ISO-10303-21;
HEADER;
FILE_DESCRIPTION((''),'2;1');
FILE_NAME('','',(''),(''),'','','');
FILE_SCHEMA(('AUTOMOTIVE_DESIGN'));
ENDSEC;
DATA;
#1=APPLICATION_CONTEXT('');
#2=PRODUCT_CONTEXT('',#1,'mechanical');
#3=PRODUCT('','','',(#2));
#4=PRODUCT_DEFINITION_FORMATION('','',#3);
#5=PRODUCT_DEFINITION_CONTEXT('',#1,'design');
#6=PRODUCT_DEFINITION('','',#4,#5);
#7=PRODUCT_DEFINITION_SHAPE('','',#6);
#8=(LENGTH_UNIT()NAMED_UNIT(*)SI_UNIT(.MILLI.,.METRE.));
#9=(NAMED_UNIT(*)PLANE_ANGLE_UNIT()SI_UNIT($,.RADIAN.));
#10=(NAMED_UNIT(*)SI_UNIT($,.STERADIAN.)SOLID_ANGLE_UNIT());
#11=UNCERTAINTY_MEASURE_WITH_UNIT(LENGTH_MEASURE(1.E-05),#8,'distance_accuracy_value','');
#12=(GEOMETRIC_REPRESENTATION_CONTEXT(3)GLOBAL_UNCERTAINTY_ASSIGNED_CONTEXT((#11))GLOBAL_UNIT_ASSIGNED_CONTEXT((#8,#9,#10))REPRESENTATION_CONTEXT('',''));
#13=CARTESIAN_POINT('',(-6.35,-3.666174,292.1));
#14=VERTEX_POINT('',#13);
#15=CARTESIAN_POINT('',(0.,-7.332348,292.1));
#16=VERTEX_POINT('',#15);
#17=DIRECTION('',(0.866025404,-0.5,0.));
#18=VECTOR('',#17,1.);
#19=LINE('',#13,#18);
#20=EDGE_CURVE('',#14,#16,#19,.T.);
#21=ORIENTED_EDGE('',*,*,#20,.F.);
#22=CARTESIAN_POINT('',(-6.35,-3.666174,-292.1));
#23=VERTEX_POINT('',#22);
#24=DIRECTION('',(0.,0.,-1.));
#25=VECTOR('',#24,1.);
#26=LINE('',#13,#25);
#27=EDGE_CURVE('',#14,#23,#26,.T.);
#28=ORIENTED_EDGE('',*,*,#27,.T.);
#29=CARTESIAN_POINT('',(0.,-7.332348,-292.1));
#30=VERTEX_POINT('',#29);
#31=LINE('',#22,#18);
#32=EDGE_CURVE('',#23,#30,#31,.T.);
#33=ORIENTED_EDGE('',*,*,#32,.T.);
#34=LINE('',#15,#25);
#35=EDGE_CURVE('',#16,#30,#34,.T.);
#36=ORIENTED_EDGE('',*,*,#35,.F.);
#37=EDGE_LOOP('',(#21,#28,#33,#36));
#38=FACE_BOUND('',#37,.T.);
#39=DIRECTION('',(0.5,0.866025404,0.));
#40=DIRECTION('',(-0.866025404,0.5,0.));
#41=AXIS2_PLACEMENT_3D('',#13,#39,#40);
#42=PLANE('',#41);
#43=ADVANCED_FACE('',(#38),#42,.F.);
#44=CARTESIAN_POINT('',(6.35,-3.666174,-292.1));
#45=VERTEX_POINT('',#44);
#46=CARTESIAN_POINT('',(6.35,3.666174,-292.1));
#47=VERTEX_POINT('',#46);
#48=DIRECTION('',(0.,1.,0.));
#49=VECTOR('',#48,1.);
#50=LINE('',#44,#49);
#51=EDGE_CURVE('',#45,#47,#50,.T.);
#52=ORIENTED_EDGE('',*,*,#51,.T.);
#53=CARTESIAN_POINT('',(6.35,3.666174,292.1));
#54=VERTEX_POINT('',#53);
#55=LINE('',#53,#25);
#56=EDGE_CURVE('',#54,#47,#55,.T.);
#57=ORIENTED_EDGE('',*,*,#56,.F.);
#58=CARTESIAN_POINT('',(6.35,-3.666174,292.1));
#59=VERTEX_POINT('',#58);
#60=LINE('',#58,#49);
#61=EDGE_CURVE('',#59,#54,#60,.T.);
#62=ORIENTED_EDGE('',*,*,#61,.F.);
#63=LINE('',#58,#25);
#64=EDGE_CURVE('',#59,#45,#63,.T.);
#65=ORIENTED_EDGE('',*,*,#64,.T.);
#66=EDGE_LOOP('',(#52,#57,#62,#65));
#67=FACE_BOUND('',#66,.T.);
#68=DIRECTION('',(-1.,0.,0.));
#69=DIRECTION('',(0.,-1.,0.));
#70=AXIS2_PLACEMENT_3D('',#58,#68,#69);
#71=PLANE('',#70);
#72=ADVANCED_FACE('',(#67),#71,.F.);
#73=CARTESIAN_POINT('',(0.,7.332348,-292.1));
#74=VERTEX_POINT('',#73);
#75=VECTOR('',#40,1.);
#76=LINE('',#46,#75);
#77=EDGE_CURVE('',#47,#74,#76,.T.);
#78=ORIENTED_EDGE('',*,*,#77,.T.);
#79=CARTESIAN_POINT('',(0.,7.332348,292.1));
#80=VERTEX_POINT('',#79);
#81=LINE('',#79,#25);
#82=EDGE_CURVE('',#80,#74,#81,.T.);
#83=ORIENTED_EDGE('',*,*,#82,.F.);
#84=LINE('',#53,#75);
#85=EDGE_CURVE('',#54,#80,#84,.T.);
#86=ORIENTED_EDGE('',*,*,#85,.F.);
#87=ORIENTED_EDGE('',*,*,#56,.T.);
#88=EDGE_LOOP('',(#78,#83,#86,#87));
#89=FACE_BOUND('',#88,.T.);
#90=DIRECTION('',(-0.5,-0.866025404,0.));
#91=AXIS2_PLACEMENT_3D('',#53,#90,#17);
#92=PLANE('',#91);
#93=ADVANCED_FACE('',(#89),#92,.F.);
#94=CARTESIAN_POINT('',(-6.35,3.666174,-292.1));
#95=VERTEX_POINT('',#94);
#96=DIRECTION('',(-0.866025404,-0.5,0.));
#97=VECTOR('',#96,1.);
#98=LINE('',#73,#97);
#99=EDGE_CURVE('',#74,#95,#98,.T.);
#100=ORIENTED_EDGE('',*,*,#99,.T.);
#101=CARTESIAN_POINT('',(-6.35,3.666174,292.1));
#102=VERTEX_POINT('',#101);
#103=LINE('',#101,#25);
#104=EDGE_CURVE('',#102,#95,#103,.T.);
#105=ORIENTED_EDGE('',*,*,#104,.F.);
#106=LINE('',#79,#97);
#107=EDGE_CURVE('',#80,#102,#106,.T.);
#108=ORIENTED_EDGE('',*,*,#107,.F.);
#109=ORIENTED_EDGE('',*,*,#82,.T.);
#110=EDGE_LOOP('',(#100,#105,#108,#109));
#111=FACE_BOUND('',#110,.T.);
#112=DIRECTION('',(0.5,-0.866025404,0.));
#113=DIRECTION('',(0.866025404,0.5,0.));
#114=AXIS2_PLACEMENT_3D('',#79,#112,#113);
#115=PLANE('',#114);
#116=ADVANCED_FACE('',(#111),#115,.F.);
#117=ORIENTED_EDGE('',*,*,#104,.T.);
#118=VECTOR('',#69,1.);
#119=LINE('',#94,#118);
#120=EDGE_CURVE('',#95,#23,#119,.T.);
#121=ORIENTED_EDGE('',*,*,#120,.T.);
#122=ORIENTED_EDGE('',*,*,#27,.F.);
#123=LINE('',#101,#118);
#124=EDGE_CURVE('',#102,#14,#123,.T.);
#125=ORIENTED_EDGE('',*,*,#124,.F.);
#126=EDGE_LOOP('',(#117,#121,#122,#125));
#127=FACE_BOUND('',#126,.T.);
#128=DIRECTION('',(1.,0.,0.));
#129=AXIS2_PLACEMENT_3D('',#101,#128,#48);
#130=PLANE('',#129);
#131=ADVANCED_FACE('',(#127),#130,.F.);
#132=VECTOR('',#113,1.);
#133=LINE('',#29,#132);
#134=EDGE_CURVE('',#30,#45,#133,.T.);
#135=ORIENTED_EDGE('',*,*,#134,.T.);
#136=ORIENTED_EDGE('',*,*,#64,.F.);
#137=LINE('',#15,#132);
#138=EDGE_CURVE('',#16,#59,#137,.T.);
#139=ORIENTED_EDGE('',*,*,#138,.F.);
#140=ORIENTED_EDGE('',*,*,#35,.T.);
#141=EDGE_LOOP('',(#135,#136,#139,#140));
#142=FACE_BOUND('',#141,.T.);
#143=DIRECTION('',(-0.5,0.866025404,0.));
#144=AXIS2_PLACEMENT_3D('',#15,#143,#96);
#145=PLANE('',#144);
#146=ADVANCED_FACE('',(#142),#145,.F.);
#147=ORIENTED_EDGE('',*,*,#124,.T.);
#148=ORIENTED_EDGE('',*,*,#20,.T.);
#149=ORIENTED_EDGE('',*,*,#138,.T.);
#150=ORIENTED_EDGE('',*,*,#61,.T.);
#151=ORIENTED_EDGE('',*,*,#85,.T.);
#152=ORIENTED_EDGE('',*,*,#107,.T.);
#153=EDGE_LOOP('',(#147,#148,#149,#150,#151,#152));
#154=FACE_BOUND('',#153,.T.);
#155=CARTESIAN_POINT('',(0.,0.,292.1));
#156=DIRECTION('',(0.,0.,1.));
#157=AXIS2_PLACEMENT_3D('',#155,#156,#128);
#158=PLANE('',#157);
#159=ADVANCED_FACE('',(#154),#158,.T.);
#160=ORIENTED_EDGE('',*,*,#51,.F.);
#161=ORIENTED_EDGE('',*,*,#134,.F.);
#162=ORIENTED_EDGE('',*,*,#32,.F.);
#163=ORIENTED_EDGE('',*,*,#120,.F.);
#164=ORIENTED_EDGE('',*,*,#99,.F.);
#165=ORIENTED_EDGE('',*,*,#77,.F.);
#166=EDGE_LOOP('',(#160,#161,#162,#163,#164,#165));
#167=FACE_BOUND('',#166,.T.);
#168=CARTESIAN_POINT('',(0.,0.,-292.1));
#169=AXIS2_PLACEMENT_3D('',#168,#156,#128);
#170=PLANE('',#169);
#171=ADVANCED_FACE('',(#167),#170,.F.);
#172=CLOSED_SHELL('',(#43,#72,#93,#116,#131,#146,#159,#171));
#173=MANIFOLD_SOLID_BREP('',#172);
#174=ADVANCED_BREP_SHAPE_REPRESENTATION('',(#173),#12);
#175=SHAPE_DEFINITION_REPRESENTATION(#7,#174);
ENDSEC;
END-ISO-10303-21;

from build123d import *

# Parameters (mm, degrees)
BOSS_EXTRUDE1_DEPTH = 292.1


with BuildPart() as part:
    # Sketch1 → Boss-Extrude1 (new body, symmetric)
    with BuildSketch(Plane.XY):
        Polygon((0, 7.332348419), (-6.35, 3.666174209), (-6.35, -3.666174209), (0, -7.332348419), (6.35, -3.666174209), (6.35, 3.666174209), align=None)
    extrude(amount=BOSS_EXTRUDE1_DEPTH, both=True)


solid = part.part
